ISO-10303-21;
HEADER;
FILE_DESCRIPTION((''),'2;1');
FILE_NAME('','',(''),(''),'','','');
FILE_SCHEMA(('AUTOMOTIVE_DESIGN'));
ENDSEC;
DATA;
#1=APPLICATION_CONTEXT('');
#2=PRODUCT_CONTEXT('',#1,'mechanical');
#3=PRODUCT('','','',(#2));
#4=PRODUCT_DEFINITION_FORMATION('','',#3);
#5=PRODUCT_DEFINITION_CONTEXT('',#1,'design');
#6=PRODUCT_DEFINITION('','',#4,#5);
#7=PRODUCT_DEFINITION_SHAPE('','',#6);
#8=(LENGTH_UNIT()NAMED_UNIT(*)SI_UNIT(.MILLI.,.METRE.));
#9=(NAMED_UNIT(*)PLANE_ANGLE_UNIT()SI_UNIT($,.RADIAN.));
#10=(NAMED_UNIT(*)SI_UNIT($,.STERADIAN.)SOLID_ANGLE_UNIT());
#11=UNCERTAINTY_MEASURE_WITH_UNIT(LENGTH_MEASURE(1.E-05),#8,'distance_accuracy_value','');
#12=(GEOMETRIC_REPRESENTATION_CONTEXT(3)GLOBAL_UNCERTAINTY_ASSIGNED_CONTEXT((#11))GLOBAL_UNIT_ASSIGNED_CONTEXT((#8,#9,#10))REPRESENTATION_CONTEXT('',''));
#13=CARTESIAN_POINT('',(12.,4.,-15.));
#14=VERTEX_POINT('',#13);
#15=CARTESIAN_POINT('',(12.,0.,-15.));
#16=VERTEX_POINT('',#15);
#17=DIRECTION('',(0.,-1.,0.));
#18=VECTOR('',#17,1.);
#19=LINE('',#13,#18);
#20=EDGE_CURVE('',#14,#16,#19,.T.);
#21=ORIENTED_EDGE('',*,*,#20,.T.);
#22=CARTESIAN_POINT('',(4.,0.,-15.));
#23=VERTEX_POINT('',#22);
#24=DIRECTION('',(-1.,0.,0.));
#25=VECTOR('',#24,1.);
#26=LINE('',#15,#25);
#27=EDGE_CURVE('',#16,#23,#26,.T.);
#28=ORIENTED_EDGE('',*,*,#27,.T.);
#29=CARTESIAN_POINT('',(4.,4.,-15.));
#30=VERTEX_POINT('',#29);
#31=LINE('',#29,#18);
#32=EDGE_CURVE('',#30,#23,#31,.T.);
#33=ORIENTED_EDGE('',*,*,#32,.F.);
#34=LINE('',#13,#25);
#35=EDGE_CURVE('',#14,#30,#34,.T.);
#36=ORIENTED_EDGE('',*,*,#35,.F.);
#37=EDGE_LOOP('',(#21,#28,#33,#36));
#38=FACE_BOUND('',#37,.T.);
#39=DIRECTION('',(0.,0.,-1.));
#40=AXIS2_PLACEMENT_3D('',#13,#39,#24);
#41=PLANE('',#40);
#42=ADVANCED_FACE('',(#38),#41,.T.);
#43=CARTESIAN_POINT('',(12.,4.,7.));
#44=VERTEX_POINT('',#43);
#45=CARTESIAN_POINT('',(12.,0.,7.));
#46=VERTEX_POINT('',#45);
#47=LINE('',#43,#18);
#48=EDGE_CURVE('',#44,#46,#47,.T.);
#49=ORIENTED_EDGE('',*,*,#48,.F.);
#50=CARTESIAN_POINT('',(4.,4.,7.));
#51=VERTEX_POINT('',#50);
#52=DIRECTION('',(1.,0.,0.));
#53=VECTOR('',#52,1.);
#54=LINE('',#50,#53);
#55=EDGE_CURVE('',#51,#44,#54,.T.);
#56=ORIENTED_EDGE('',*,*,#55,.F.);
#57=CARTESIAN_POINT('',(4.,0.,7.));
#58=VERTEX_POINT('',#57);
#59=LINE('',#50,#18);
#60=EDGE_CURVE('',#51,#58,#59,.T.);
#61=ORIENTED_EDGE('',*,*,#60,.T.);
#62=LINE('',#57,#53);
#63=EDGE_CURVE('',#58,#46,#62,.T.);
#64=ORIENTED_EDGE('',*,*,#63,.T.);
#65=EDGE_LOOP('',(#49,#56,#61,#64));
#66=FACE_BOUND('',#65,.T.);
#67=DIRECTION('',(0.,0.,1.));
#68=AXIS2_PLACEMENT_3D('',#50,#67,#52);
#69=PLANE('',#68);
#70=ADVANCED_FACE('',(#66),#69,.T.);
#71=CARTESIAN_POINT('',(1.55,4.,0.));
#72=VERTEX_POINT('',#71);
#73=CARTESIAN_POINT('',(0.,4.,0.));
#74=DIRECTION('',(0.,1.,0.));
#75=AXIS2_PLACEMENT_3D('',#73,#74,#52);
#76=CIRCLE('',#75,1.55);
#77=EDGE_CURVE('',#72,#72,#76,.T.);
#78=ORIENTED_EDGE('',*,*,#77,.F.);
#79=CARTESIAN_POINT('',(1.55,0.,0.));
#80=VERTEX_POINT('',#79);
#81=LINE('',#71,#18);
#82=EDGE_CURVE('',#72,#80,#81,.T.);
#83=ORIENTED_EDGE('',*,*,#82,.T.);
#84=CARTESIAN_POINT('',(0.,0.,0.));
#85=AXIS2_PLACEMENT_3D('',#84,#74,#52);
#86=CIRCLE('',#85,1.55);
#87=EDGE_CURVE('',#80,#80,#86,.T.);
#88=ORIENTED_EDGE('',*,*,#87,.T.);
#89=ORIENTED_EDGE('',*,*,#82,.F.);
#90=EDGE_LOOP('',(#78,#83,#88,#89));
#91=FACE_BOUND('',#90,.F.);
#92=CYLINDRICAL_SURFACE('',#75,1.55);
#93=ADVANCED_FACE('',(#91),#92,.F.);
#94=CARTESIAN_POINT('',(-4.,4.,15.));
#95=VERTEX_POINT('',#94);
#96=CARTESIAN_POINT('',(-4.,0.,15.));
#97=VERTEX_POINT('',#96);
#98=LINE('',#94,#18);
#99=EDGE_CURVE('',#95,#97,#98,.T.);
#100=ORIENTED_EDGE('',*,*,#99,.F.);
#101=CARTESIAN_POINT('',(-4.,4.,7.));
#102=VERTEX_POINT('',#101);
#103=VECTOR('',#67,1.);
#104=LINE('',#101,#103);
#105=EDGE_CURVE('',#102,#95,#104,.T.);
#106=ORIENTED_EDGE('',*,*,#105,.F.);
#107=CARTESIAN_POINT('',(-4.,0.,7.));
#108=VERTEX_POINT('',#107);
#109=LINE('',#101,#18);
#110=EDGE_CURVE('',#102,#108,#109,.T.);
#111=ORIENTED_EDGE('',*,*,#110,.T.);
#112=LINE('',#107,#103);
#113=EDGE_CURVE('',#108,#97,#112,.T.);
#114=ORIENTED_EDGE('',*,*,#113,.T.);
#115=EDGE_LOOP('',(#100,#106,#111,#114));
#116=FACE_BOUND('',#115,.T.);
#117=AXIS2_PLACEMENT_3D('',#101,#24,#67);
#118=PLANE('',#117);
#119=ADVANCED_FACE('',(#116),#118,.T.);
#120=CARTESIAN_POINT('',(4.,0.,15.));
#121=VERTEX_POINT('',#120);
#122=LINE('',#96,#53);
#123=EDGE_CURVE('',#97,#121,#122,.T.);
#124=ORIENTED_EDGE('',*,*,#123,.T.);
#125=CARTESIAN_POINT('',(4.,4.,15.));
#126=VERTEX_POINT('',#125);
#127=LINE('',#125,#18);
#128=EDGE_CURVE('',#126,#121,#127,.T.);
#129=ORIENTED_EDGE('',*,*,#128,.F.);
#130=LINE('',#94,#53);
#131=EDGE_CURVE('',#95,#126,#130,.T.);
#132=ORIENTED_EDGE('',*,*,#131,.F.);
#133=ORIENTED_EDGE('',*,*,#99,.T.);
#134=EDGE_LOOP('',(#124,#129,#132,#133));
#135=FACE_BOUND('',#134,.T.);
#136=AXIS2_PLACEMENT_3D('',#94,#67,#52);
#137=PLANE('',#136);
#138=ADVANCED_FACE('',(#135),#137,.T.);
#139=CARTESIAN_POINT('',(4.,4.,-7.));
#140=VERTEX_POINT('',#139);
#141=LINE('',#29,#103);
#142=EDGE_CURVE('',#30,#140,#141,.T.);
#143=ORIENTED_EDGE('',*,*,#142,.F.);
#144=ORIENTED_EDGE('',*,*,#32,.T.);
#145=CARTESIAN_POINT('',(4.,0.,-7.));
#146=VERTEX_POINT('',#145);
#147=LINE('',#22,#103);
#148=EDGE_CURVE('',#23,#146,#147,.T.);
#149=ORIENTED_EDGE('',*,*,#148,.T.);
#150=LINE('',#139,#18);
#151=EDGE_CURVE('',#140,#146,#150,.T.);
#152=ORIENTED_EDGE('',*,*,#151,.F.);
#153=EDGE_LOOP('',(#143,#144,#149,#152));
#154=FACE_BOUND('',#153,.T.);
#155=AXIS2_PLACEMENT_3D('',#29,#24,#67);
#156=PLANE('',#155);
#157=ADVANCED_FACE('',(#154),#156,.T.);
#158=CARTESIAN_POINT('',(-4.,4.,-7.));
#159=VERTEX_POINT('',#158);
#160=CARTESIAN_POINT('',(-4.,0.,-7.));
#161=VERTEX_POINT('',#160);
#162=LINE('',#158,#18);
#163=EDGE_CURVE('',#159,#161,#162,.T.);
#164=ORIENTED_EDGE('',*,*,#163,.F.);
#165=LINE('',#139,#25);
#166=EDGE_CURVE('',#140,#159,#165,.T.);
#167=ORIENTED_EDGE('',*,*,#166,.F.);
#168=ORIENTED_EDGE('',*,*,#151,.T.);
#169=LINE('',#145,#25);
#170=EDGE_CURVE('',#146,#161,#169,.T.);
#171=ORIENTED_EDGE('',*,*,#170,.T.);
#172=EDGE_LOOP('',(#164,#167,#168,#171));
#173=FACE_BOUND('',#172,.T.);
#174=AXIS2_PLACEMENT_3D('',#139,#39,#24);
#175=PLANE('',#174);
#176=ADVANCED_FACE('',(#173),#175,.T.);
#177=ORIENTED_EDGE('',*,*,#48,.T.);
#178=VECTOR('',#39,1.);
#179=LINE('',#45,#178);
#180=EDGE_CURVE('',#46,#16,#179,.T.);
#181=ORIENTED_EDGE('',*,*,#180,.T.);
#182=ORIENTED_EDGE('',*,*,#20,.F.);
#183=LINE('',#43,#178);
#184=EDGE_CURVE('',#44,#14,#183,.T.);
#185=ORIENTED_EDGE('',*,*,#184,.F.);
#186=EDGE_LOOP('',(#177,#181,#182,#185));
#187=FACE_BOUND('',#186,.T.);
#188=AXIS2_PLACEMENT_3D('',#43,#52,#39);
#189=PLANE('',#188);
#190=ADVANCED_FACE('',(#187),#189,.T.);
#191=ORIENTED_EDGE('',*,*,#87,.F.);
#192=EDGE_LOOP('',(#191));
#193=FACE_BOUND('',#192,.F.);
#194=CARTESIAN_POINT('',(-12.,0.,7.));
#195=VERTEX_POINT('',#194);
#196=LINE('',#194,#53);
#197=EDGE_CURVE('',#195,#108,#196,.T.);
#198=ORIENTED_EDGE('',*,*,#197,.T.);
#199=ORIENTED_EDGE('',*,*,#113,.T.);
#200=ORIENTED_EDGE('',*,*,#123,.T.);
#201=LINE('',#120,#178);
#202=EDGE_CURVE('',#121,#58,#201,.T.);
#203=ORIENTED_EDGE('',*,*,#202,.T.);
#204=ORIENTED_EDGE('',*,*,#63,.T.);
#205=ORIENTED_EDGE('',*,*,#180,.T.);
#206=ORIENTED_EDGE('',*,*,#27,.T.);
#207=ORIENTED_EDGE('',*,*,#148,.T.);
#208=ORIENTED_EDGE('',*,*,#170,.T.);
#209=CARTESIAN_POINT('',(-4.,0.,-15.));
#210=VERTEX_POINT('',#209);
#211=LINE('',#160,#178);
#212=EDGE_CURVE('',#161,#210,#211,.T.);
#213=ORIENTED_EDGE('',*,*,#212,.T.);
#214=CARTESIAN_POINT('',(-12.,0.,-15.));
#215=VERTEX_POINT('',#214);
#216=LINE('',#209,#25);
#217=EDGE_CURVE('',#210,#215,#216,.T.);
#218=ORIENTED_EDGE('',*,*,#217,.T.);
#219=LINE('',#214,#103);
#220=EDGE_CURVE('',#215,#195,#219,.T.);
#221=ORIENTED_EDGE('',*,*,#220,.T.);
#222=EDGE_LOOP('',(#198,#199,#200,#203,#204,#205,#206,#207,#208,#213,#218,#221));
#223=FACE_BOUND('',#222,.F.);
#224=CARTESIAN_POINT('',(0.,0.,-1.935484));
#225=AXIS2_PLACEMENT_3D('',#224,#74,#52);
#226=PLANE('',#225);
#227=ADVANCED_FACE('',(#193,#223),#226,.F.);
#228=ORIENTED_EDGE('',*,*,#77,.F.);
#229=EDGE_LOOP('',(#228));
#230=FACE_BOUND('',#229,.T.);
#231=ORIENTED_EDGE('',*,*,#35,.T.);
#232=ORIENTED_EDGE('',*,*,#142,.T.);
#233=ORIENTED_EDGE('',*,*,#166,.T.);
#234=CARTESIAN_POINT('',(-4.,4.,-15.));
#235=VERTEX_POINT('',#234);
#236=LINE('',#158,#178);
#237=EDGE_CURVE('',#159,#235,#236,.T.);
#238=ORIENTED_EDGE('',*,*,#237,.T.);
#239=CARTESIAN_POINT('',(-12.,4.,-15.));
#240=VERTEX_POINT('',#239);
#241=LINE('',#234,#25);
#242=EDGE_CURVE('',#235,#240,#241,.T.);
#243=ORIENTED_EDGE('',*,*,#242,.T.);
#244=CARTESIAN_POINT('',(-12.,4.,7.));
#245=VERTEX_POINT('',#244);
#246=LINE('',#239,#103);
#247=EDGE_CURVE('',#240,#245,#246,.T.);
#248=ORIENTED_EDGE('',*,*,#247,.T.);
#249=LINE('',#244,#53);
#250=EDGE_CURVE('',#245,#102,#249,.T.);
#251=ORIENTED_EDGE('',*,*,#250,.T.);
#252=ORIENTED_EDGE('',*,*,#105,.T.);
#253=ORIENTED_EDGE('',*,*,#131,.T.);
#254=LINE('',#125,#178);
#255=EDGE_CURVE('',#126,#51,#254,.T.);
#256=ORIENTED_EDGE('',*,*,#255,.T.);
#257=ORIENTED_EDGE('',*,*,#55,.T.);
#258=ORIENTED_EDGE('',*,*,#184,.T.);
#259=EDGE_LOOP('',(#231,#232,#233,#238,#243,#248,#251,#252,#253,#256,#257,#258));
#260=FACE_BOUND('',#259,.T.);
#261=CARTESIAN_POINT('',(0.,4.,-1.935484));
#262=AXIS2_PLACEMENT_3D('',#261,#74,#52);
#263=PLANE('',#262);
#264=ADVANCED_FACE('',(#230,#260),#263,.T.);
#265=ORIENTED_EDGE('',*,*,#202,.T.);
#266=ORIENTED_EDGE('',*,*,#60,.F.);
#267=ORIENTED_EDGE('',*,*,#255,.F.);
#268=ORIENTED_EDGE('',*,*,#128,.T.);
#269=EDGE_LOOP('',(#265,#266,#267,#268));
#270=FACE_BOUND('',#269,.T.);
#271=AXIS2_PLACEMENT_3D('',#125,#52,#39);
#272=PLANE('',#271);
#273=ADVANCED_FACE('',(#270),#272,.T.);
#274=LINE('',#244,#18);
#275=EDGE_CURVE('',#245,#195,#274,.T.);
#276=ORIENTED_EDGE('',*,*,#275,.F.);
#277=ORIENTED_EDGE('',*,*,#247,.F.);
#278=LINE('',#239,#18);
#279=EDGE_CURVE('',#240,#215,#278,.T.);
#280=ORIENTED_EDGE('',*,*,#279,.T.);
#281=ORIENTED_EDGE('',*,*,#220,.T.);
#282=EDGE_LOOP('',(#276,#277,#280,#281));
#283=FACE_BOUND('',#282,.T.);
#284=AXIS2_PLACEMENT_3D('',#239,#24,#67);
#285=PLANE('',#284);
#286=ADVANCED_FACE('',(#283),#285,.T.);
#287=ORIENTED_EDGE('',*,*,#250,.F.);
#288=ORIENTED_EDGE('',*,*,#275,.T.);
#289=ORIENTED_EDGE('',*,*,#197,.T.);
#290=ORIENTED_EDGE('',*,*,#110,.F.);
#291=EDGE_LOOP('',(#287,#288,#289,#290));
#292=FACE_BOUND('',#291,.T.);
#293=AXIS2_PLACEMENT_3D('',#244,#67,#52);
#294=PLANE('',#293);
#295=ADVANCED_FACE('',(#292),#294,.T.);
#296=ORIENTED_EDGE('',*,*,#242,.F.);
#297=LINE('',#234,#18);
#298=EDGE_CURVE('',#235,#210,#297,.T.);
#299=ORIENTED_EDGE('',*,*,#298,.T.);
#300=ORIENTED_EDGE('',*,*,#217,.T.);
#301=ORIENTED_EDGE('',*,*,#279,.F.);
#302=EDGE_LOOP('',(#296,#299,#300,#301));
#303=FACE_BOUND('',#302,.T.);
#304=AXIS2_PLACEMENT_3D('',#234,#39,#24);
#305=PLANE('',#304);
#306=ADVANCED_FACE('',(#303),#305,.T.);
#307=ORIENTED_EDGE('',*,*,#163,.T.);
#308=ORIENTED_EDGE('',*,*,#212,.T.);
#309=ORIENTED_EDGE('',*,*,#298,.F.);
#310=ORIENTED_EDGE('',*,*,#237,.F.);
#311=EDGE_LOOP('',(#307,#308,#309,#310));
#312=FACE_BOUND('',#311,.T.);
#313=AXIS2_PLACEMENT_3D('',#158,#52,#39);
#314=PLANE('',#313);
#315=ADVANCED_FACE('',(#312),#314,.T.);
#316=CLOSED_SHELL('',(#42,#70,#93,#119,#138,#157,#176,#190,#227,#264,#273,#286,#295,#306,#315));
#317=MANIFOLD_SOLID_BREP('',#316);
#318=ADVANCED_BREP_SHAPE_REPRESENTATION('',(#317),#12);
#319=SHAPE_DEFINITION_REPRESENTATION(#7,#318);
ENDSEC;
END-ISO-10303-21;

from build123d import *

# Parameters (mm, degrees)
SKETCH_1_R      = 1.55
EXTRUDE_1_DEPTH = 4


with BuildPart() as part:
    # 草圖1 → 填料-伸長1 (new body)
    with BuildSketch(Plane(origin=(0, 4, 0), x_dir=(1, 0, 0), z_dir=(0, 1, 0))):
        Polygon((-4, 7), (-4, 15), (-12, 15), (-12, -7), (-4, -7), (-4, -15), (4, -15), (4, -7), (12, -7), (12, 15), (4, 15), (4, 7), align=None)
        Circle(SKETCH_1_R, mode=Mode.SUBTRACT)
    extrude(amount=-EXTRUDE_1_DEPTH)


solid = part.part
